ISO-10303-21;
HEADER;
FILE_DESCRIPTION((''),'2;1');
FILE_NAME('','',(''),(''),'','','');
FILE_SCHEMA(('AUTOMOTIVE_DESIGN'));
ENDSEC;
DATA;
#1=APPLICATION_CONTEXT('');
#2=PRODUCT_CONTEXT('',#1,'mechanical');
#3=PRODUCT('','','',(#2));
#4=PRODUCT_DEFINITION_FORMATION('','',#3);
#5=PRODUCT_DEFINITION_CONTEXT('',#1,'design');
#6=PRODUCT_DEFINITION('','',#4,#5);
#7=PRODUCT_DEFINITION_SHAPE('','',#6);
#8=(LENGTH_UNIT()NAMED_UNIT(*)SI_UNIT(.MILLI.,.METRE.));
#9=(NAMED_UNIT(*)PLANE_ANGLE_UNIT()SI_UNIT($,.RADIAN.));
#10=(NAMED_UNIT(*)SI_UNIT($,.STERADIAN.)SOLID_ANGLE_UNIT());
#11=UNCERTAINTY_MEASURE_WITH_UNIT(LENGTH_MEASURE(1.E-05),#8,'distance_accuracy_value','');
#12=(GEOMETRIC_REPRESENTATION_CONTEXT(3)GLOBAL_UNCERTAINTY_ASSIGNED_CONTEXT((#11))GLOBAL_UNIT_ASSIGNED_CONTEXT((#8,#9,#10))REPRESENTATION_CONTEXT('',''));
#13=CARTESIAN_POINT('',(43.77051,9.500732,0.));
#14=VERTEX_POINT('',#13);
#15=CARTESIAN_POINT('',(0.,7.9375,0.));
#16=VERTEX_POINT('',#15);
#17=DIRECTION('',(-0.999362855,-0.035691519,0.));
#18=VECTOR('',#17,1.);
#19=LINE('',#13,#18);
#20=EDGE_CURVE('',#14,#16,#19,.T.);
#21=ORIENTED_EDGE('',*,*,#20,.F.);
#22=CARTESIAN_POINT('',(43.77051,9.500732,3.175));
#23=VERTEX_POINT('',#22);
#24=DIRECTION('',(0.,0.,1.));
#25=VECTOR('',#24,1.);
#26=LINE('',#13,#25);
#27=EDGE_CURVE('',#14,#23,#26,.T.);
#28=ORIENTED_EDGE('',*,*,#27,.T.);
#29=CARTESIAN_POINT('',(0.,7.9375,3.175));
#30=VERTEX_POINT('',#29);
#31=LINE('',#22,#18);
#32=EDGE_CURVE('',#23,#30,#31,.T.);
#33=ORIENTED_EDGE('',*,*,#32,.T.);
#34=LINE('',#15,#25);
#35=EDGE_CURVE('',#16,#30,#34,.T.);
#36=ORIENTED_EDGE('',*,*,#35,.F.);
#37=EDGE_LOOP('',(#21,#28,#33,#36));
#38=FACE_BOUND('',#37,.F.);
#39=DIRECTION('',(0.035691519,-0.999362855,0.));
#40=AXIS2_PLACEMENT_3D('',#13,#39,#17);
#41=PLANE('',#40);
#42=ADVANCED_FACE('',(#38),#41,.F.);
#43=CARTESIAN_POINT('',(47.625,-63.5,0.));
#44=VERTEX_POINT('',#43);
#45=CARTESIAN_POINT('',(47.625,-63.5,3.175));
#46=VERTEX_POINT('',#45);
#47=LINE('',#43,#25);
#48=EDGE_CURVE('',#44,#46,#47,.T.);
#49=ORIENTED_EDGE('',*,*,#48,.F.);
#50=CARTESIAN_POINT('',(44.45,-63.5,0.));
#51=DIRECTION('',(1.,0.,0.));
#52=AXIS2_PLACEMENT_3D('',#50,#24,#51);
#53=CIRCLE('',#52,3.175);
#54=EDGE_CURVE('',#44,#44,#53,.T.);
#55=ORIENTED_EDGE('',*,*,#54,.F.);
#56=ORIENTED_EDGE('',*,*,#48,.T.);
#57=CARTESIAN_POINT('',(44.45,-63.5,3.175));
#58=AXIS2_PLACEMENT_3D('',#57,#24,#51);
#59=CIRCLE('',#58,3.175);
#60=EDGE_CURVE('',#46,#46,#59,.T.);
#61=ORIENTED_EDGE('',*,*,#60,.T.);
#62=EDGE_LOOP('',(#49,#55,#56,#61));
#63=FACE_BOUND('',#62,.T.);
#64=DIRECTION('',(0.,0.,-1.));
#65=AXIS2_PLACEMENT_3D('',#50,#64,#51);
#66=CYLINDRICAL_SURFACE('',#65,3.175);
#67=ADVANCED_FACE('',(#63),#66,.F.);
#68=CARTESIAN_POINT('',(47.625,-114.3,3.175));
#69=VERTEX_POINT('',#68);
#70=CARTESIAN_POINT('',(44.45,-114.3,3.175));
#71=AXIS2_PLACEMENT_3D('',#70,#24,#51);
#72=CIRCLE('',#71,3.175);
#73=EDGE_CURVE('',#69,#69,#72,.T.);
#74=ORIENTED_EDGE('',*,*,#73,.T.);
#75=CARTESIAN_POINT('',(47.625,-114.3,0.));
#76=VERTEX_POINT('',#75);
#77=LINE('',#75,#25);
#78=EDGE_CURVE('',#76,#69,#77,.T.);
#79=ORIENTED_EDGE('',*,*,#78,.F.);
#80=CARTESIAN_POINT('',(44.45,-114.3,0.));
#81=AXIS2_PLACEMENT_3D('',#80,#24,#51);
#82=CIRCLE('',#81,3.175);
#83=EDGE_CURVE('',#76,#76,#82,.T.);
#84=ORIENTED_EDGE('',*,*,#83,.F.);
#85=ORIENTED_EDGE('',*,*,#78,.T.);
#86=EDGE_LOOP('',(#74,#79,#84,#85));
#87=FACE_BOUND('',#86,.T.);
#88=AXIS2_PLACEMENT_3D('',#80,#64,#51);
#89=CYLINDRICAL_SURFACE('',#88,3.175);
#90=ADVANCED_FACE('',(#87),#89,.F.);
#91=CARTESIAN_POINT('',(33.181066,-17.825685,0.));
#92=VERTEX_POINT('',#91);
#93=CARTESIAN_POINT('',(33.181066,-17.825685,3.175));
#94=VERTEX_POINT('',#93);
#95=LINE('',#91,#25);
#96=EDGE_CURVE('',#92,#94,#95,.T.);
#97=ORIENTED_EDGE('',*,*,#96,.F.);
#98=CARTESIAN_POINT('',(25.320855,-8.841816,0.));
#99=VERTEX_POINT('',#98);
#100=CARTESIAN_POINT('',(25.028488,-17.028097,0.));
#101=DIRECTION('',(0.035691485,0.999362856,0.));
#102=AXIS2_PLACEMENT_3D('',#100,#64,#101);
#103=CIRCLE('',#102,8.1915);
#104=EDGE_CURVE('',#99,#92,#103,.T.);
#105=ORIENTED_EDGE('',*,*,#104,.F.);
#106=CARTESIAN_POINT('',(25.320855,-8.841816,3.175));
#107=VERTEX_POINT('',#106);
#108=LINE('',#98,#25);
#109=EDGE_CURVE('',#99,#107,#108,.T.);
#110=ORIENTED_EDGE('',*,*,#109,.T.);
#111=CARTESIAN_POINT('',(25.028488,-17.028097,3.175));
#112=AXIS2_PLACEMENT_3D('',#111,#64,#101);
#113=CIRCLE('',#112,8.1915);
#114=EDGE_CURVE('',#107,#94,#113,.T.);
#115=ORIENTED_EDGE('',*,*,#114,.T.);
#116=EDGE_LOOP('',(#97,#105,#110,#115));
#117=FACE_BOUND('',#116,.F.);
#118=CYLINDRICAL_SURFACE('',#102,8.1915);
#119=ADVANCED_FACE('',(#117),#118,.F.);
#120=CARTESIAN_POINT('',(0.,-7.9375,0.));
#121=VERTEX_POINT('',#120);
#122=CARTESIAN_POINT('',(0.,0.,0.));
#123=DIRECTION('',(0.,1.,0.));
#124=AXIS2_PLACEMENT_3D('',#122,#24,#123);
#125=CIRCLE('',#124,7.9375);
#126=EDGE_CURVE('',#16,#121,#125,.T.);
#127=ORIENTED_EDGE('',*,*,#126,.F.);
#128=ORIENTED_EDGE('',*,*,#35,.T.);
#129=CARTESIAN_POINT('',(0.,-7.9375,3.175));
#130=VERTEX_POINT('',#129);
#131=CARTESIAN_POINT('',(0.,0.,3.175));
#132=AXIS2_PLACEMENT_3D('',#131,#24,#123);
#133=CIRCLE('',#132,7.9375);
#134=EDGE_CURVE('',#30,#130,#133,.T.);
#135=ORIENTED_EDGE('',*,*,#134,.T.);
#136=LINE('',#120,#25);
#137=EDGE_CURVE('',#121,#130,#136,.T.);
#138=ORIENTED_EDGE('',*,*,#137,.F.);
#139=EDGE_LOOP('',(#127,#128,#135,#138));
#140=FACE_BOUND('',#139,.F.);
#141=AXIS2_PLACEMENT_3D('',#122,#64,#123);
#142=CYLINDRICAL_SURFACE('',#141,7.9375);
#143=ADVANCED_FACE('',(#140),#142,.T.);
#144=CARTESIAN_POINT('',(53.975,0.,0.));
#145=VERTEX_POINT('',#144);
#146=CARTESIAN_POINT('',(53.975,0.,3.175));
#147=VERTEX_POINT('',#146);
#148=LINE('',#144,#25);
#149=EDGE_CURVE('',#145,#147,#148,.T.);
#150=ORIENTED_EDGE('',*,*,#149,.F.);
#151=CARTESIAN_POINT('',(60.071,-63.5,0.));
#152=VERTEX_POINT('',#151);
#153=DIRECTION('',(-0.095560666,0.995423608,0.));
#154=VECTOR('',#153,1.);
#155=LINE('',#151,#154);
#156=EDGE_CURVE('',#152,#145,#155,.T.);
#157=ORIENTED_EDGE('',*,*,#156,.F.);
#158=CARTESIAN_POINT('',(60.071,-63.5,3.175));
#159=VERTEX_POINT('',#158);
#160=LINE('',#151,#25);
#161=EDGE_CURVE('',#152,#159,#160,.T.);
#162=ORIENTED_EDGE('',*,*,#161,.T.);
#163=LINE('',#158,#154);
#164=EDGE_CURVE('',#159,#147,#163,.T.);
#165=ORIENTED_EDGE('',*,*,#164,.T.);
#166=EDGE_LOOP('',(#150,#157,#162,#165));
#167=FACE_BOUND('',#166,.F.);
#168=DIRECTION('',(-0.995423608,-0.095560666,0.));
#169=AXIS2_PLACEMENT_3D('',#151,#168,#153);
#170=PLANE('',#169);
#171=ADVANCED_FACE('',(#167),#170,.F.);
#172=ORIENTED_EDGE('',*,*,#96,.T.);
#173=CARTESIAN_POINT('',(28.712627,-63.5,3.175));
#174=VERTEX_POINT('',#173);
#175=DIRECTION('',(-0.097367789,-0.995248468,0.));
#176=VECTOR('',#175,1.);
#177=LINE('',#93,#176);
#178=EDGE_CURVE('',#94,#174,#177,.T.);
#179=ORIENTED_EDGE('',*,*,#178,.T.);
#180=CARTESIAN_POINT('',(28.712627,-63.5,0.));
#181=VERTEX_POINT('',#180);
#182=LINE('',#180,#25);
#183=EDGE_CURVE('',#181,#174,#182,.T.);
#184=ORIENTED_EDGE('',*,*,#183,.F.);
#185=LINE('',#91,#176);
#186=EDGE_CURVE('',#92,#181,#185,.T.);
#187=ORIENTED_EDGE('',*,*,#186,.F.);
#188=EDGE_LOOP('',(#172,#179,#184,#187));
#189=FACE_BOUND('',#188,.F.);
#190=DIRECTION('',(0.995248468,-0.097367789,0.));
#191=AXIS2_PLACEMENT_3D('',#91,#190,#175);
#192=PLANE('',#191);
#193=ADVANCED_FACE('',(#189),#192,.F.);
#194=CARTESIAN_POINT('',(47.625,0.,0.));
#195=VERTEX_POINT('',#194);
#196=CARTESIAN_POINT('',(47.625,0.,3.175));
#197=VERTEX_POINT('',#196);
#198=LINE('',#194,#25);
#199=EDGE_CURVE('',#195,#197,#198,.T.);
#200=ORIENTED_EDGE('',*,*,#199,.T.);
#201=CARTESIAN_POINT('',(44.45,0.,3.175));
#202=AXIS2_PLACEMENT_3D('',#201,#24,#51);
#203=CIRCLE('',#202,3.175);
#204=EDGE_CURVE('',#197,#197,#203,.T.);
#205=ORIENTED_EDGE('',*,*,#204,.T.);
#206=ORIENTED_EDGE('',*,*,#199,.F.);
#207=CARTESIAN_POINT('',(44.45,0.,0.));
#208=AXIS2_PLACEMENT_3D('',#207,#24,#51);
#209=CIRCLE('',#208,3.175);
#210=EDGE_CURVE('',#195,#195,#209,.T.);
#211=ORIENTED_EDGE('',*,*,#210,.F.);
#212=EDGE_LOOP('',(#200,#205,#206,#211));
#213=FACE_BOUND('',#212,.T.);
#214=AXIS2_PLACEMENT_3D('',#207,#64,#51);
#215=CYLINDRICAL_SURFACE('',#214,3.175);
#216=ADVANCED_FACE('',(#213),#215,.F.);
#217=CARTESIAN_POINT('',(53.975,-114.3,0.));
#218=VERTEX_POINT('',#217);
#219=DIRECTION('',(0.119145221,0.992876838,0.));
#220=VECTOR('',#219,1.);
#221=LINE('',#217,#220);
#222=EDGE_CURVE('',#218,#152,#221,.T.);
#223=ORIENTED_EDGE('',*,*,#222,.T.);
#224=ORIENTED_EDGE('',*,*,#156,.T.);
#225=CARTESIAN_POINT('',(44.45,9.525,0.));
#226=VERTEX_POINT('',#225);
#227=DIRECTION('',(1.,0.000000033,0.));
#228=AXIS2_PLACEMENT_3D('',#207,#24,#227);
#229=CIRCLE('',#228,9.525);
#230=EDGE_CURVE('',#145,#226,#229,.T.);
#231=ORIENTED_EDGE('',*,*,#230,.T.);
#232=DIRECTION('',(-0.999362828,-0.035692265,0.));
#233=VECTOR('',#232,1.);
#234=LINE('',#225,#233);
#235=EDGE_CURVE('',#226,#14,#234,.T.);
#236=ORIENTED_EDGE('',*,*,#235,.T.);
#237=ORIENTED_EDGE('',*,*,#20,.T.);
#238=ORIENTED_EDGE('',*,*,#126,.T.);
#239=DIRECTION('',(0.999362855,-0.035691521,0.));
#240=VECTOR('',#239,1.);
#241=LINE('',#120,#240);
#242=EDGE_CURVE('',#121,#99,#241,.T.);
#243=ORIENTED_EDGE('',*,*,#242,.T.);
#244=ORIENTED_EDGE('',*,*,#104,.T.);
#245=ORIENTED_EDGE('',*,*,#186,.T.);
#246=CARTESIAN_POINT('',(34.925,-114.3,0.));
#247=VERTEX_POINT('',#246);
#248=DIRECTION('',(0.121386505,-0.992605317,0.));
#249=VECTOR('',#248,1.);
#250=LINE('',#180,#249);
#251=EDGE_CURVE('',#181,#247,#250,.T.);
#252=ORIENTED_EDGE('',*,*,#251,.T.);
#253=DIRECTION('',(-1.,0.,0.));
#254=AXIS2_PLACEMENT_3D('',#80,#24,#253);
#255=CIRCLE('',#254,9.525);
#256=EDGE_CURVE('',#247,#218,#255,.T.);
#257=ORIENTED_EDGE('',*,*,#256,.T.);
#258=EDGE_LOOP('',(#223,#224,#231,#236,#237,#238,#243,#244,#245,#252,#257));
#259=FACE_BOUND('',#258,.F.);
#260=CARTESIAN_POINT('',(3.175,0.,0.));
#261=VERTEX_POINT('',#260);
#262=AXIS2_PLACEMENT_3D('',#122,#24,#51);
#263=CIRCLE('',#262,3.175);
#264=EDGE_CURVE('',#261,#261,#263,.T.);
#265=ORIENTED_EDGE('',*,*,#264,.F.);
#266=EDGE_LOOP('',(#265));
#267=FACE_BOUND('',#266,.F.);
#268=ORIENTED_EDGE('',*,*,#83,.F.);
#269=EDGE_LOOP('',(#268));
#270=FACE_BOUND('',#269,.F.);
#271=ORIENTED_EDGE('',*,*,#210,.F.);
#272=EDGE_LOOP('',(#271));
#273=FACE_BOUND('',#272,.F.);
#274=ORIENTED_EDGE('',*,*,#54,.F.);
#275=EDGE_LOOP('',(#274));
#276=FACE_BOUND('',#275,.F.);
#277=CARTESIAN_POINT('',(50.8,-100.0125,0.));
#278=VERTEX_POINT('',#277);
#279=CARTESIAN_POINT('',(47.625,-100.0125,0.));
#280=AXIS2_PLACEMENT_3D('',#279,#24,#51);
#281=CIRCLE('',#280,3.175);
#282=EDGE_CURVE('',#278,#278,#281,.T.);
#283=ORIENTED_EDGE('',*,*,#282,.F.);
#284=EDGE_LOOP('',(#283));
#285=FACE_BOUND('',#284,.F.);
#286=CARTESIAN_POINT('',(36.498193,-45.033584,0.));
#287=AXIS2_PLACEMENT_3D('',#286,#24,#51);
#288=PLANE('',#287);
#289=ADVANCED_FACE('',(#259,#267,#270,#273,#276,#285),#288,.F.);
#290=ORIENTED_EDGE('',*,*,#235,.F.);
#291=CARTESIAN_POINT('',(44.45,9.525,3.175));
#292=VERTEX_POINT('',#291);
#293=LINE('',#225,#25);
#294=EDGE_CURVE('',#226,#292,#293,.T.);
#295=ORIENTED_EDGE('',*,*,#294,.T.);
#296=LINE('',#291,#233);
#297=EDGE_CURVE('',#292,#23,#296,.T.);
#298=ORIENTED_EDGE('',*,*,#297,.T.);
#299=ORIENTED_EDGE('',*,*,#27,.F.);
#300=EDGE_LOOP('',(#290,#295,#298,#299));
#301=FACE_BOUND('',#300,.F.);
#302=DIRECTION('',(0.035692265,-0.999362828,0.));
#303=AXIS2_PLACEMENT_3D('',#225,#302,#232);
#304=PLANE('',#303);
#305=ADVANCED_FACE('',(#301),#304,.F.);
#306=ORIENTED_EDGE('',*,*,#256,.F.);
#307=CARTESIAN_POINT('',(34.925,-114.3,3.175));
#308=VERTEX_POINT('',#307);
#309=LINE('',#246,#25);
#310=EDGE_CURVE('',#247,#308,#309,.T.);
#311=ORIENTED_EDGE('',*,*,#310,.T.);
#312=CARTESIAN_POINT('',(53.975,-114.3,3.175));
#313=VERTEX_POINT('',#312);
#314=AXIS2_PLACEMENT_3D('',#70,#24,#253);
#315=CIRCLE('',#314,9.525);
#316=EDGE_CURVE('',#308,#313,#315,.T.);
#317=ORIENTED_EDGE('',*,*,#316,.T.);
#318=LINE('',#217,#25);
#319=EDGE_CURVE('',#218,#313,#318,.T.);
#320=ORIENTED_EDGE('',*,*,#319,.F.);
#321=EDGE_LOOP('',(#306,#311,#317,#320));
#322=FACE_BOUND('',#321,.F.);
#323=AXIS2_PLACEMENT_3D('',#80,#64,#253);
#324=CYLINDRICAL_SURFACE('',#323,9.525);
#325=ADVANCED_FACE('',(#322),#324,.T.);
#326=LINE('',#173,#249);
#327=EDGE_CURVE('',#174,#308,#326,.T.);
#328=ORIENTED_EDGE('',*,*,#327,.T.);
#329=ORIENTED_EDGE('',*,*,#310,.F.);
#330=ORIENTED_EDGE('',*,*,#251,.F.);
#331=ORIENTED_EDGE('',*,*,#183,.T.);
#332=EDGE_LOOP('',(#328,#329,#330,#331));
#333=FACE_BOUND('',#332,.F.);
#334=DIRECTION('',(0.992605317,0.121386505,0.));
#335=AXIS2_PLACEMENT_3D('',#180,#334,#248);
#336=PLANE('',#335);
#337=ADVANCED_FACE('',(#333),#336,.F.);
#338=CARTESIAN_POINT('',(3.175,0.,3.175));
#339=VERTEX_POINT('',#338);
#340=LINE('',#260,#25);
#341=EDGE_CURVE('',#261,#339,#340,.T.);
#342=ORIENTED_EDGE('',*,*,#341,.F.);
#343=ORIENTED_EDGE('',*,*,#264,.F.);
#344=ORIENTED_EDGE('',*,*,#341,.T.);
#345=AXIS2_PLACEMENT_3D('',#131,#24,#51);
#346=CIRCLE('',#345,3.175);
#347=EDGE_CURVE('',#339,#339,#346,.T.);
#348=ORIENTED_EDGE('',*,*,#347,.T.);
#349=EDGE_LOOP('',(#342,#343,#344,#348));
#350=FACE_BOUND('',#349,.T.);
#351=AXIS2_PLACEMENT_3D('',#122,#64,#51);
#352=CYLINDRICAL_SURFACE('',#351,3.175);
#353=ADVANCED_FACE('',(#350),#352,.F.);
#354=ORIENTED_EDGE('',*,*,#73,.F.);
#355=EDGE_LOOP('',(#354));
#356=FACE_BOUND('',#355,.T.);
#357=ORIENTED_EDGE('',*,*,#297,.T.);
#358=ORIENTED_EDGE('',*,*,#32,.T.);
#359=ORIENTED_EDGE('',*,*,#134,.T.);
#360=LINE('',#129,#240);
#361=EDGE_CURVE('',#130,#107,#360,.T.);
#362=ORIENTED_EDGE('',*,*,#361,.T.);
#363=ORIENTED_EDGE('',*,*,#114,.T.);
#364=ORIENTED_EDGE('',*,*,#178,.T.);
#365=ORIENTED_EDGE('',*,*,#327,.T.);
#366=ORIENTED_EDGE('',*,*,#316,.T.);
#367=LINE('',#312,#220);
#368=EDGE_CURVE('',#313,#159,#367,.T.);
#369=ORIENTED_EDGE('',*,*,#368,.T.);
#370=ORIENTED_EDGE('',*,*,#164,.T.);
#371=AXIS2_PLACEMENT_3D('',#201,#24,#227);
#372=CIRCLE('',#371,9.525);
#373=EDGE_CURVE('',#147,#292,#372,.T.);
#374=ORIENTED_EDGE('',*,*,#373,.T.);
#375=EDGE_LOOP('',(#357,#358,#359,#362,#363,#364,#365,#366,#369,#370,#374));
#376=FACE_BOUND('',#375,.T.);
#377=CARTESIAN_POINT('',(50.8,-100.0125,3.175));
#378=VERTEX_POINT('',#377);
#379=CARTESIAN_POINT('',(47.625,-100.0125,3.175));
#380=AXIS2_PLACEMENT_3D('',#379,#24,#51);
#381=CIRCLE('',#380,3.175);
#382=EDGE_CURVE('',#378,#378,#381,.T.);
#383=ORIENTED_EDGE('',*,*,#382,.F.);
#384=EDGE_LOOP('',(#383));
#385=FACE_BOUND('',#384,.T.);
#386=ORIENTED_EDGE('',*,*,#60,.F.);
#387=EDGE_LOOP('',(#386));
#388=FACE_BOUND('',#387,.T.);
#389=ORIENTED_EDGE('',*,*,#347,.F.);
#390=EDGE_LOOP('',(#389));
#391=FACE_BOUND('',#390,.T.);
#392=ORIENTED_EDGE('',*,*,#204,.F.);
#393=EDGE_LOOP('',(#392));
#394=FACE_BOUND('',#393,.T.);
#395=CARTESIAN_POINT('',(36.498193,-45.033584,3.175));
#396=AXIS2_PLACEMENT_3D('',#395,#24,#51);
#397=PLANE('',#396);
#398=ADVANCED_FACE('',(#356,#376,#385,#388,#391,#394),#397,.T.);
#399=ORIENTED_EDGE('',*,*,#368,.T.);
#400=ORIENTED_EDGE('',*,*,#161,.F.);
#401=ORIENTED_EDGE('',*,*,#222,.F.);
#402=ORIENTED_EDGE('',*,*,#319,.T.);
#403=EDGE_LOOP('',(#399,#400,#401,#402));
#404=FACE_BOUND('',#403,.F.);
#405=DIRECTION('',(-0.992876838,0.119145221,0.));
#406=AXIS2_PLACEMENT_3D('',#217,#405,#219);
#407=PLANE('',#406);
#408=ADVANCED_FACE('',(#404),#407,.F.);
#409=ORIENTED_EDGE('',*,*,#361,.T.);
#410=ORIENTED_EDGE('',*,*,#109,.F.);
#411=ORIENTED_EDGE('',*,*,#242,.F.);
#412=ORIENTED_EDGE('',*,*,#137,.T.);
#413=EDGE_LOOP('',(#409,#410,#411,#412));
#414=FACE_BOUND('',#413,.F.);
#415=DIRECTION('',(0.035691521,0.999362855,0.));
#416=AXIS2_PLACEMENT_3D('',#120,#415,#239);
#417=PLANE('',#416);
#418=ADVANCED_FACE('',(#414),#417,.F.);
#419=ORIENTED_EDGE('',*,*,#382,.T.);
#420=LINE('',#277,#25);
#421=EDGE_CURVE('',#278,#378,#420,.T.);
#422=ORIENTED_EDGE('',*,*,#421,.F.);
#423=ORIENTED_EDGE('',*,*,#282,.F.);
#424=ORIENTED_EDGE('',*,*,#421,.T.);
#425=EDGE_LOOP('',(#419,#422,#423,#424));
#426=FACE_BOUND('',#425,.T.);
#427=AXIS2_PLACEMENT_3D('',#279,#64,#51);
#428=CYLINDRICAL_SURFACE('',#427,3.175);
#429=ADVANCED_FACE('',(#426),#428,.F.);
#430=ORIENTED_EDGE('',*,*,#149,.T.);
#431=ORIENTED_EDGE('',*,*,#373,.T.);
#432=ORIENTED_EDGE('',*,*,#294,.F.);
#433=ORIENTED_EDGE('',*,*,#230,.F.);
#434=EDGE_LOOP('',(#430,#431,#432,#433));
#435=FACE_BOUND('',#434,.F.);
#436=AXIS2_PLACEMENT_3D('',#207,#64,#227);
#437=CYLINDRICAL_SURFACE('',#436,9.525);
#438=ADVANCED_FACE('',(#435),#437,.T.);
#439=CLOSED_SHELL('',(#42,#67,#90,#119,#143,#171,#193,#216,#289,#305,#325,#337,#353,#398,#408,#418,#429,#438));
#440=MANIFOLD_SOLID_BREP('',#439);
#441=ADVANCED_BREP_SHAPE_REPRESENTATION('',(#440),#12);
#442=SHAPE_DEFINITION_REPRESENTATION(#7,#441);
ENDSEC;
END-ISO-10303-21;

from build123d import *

# Parameters (mm, degrees)
F0_R     = 3.175
F1_DEPTH = 3.175


with BuildPart() as f1:
    # F0 (on Top) → F1 (new body)
    with BuildSketch(Plane.XY):
        with BuildLine():
            Line((43.77051, 9.500732), (0, 7.9375))
            ThreePointArc((0, 7.9375), (-7.9375, 0), (0, -7.9375))
            Line((0, -7.9375), (25.320855, -8.841816))
            ThreePointArc((25.320855, -8.841816), (31.19345, -11.634219), (33.181066, -17.825685))
            Line((33.181066, -17.825685), (28.712627, -63.5))
            Line((28.712627, -63.5), (34.925, -114.3))
            ThreePointArc((34.925, -114.3), (44.45, -123.825), (53.975, -114.3))
            Line((53.975, -114.3), (60.071, -63.5))
            Line((60.071, -63.5), (53.975, 0))
            ThreePointArc((53.975, 0), (51.185192, 6.735192), (44.45, 9.525))
            Line((44.45, 9.525), (43.77051, 9.500732))
        make_face()
        with Locations((44.45, -114.3)):
            Circle(F0_R, mode=Mode.SUBTRACT)
        with Locations((47.625, -100.0125)):
            Circle(F0_R, mode=Mode.SUBTRACT)
        with Locations((44.45, -63.5)):
            Circle(F0_R, mode=Mode.SUBTRACT)
        Circle(F0_R, mode=Mode.SUBTRACT)
        with Locations((44.45, 0)):
            Circle(F0_R, mode=Mode.SUBTRACT)
    extrude(amount=F1_DEPTH)


solid = f1.part
